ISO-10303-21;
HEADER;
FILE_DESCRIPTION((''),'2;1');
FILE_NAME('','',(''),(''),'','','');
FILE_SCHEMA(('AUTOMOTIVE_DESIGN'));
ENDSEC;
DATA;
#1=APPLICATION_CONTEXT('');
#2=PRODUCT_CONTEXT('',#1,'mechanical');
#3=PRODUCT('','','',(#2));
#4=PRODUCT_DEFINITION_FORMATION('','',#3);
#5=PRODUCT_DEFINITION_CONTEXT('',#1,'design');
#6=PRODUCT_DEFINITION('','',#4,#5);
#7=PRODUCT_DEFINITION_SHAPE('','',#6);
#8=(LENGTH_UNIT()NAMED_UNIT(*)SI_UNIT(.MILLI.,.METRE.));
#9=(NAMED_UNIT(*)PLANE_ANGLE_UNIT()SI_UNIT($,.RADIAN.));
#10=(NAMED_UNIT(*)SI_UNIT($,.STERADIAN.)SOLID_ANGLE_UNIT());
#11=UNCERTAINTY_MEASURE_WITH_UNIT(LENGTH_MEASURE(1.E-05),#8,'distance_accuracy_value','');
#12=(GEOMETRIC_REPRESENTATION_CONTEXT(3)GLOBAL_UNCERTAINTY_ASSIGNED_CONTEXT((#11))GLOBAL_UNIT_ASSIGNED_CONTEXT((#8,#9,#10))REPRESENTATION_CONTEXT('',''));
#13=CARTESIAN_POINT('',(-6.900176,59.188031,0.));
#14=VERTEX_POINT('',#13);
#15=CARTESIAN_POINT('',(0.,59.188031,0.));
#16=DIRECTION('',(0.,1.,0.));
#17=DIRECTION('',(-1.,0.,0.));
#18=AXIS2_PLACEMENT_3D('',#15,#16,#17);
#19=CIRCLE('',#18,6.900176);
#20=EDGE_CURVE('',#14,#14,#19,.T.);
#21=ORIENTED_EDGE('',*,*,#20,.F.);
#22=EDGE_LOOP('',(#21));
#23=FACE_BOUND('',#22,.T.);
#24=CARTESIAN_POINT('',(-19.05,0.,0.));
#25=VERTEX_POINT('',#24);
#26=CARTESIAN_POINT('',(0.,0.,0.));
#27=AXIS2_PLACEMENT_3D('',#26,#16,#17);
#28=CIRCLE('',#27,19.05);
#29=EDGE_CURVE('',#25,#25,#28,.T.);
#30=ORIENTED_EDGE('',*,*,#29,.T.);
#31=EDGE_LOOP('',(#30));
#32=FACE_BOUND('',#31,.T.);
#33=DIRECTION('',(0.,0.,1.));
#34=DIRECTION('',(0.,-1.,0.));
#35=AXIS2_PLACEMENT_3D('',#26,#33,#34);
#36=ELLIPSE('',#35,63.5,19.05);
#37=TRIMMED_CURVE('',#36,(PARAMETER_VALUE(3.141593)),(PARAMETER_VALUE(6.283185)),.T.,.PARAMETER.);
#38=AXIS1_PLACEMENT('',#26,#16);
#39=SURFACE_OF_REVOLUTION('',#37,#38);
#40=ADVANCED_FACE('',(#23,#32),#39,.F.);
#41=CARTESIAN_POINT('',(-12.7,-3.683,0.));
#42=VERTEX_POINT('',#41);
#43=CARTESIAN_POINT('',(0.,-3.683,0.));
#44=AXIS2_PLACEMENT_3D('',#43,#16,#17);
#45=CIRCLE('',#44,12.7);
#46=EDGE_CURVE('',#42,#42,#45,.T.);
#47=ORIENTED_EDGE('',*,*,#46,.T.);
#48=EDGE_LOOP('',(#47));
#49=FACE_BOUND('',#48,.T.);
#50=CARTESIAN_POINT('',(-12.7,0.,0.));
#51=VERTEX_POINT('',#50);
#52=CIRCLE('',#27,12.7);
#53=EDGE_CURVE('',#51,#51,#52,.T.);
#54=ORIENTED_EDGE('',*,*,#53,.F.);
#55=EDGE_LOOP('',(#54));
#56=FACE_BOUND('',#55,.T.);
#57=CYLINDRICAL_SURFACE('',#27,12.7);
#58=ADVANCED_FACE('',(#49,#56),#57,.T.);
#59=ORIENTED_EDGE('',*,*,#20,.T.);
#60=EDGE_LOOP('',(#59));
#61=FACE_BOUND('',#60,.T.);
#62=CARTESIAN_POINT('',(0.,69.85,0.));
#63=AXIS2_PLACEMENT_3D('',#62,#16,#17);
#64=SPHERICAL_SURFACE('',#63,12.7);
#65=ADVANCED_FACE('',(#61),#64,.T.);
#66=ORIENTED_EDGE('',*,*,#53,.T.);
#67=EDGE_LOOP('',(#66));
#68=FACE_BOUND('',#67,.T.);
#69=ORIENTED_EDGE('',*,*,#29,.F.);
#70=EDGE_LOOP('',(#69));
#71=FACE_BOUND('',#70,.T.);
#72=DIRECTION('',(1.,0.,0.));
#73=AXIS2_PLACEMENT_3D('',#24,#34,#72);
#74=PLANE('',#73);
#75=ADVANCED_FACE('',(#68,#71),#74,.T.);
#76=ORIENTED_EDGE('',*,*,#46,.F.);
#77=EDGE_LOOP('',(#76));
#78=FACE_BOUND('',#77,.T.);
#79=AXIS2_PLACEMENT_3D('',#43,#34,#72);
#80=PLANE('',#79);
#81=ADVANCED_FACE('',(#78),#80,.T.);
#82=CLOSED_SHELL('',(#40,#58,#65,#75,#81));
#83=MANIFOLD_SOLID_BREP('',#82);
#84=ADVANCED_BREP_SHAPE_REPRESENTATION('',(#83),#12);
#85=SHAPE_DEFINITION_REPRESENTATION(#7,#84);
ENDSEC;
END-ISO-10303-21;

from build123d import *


with BuildPart() as part:
    # Sketch1 → Revolve1 (revolve)
    with BuildSketch(Plane.XY):
        with BuildLine():
            Line((-19.05, 0), (-12.7, 0))
            Line((-12.7, 0), (-12.7, -3.683))
            Line((-12.7, -3.683), (0, -3.683))
            Line((0, -3.683), (0, 69.85))
            Line((0, 69.85), (0, 82.55))
            ThreePointArc((0, 82.55), (-12.179839934, 73.447429524), (-6.900175713, 59.188031367))
            add(Edge.make_bspline(
                [(-6.900175713, 59.188031367), (-19.05, 43.449879108), (-19.05, 0)],
                knots=[3.512234693, 3.512234693, 3.512234693, 4.71238898, 4.71238898, 4.71238898], degree=2, weights=[1, 0.825292054, 1]))
        make_face()
    revolve(axis=Axis((0, 0, 0), (0, -1, 0)))


solid = part.part
